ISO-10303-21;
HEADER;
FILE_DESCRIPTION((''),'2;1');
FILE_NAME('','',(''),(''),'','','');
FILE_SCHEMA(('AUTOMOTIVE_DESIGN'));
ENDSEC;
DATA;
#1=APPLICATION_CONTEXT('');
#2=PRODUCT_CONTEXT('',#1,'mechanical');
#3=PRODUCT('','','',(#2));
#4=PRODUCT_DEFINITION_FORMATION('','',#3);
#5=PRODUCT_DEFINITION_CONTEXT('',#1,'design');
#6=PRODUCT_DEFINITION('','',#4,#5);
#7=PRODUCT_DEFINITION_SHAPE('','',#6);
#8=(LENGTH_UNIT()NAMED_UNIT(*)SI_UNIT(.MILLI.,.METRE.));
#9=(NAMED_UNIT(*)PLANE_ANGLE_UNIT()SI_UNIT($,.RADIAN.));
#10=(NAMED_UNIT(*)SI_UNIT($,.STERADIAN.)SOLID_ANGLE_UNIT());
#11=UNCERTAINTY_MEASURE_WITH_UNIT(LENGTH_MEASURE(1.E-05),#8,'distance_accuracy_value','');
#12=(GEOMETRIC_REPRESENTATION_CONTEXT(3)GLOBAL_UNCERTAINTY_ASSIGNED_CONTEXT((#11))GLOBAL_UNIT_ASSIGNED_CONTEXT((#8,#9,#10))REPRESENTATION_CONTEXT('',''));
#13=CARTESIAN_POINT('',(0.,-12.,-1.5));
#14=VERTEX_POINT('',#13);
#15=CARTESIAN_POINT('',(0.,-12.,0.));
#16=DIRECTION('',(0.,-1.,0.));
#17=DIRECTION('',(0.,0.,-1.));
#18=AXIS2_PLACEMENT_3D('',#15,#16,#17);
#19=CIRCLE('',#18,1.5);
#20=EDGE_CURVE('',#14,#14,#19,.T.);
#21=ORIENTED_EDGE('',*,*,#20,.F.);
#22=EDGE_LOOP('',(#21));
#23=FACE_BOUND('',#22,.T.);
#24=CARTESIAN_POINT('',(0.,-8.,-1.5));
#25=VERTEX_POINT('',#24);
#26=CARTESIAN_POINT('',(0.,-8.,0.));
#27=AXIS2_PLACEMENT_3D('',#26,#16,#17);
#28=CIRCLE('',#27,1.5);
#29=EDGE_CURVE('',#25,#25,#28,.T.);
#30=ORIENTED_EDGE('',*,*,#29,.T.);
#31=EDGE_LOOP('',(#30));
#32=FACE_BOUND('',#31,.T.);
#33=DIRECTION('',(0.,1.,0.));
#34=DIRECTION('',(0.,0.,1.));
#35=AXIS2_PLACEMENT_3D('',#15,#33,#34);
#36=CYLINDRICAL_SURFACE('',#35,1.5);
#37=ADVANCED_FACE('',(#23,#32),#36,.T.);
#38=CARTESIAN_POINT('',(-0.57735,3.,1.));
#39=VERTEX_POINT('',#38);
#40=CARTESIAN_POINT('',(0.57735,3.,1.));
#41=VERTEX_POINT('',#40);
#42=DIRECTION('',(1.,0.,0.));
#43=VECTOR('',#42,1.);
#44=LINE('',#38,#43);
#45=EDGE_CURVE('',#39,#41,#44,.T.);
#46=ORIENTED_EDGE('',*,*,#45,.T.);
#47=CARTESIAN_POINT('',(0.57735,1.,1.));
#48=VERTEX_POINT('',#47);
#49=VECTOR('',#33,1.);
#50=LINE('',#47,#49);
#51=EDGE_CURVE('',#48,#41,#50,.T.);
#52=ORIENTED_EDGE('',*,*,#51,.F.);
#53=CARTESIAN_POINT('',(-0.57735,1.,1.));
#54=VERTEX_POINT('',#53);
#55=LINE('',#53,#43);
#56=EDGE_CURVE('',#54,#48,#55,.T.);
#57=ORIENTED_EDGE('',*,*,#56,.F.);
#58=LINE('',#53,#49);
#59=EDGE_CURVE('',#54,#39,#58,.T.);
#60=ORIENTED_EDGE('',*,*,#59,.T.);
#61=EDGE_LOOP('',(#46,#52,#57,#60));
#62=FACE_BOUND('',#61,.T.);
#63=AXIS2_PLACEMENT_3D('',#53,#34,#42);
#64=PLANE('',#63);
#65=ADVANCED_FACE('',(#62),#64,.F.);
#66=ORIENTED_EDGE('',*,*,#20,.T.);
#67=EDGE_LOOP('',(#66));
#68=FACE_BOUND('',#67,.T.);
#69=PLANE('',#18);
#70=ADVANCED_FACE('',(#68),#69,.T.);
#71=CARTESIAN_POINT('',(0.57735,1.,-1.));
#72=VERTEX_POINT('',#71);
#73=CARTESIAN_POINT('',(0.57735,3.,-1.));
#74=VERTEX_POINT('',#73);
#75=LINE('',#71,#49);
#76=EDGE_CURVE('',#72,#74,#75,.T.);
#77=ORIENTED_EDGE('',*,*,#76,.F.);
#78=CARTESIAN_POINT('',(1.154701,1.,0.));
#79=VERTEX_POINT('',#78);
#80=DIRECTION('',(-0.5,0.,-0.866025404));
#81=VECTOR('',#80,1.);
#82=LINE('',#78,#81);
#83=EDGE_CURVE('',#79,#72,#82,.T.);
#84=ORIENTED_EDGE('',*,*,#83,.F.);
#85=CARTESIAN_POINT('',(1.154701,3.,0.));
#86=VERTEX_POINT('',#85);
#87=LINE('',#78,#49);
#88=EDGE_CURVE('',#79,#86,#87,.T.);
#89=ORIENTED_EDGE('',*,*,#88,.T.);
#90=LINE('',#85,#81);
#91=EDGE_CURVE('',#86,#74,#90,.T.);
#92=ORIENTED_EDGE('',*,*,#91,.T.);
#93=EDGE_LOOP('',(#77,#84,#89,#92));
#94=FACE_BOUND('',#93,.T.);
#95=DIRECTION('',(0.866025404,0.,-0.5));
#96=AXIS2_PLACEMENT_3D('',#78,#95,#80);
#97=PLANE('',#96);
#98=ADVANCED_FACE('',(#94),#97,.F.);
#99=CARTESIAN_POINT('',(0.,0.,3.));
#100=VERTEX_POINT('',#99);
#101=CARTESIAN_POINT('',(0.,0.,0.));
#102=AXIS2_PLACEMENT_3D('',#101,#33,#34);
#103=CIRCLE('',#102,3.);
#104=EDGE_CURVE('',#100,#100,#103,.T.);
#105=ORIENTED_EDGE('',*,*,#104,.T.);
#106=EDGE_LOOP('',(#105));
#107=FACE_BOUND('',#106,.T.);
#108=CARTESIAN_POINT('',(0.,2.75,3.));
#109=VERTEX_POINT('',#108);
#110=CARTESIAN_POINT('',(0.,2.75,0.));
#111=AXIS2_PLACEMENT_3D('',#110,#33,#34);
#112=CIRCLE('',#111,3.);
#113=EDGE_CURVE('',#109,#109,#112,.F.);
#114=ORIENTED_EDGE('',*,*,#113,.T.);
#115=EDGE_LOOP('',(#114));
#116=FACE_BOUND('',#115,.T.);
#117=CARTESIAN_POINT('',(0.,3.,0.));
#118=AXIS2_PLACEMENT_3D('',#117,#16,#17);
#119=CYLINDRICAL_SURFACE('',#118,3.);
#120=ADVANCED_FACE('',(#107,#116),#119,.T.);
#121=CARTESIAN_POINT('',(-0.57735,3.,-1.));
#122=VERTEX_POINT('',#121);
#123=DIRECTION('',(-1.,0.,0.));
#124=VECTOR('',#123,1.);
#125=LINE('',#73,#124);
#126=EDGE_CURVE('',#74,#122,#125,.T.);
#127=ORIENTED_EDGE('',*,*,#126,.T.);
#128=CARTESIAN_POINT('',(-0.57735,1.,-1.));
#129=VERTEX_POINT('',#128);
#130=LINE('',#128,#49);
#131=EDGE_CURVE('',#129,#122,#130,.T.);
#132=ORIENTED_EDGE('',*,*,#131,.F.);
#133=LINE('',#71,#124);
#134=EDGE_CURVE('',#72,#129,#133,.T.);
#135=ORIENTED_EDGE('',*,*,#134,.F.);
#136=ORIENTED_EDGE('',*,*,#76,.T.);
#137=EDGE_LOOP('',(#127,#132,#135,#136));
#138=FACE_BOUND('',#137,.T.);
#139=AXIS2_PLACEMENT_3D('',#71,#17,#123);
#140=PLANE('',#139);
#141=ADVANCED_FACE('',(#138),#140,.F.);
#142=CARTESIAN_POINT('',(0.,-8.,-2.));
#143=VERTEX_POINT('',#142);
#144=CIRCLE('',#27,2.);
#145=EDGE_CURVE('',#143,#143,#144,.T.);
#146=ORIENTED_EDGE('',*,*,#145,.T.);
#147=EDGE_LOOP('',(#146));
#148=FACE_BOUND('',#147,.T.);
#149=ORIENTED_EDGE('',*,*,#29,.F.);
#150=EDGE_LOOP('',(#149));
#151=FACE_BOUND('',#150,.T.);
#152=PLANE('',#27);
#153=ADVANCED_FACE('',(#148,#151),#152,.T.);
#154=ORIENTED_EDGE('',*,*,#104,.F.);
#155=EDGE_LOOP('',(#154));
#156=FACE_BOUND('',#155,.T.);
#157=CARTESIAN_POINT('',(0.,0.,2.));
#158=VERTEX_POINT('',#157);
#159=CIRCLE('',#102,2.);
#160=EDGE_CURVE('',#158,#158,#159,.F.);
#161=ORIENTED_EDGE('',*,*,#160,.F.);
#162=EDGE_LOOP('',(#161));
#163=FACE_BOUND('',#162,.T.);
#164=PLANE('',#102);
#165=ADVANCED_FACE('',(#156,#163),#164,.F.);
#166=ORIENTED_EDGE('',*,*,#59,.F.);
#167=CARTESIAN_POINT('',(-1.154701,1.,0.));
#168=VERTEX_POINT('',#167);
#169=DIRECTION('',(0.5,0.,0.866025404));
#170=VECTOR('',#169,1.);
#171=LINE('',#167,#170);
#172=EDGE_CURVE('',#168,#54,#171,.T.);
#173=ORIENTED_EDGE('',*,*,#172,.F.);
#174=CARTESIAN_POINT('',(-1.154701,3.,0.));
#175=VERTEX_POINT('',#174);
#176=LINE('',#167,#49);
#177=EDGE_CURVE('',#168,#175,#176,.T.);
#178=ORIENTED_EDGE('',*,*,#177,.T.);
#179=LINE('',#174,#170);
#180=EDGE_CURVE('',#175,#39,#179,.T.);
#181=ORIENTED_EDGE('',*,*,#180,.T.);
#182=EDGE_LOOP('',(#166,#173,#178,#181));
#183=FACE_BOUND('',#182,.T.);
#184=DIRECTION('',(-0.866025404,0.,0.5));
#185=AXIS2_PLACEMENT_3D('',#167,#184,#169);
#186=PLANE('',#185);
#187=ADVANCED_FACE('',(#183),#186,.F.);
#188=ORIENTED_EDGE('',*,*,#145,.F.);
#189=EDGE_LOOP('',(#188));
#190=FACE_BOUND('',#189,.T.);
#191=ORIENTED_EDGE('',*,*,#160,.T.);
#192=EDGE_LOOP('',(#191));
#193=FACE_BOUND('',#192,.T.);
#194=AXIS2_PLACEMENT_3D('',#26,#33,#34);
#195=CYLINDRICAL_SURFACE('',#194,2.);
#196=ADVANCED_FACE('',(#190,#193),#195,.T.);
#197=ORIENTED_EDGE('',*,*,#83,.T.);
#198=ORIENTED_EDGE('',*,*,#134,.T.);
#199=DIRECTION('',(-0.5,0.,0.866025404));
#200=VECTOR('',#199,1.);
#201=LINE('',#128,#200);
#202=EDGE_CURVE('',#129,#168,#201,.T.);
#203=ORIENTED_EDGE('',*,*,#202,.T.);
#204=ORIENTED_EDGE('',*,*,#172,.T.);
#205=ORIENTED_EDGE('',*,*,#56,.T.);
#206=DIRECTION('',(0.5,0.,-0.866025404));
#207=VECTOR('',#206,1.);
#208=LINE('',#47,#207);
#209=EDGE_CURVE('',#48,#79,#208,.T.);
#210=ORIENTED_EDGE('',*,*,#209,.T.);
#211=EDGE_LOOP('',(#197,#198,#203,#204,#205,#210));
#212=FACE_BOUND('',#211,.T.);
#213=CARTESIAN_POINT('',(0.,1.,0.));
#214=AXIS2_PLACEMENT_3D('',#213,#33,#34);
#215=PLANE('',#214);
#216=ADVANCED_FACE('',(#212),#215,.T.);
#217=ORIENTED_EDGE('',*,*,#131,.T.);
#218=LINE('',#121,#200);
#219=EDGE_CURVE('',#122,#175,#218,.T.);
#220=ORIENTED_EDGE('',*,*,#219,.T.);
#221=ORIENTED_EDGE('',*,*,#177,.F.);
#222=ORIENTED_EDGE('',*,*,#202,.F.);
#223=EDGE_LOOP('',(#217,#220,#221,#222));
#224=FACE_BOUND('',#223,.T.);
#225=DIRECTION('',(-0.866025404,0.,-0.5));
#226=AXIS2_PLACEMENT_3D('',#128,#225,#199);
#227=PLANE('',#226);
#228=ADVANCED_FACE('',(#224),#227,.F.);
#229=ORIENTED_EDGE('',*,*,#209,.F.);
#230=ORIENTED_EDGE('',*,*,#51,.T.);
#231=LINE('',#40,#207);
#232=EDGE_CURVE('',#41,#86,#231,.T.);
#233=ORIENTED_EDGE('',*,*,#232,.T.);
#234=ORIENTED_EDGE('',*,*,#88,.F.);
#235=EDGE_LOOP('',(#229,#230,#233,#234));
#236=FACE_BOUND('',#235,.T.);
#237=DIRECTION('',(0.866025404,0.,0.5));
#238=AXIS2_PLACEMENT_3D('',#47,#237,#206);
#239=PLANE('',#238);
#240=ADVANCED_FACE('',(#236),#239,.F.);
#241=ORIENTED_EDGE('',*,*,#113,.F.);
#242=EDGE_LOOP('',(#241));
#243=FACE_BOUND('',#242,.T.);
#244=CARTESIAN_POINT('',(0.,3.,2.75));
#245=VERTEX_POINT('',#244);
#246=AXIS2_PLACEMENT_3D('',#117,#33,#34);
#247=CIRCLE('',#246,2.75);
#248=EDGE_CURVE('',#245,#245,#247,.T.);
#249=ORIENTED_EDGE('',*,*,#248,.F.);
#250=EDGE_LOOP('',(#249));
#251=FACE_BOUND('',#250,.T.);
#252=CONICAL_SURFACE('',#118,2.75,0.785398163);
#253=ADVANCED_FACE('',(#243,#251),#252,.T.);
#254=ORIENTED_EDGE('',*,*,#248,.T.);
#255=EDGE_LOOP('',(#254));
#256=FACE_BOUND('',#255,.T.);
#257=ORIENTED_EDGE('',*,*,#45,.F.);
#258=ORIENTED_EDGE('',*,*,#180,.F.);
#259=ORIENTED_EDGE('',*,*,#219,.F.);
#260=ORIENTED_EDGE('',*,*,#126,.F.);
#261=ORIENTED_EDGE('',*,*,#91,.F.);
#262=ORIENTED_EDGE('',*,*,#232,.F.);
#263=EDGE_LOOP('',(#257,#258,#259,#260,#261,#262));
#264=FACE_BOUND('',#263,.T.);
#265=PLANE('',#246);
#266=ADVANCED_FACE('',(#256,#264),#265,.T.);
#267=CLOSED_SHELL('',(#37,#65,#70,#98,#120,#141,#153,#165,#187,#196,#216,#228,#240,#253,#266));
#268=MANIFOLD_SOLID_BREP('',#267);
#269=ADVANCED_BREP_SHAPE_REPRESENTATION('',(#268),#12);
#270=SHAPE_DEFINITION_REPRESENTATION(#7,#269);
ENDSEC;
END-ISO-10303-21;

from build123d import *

# Parameters (mm, degrees)
SKETCH1_R           = 3
BOSS_EXTRUDE1_DEPTH = 3
SKETCH2_R           = 2
BOSS_EXTRUDE2_DEPTH = 8
SKETCH3_R           = 1.5
BOSS_EXTRUDE3_DEPTH = 4
CUT_EXTRUDE1_DEPTH  = 2
CHAMFER1_SIZE       = 0.25


with BuildPart() as part:
    # Sketch1 → Boss-Extrude1 (new body)
    with BuildSketch(Plane(origin=(0, 0, 0), x_dir=(1, 0, 0), z_dir=(0, 1, 0))):
        with Locations(Location((0, 0, 0), (0, 0, 270))):
            Circle(SKETCH1_R)
    extrude(amount=BOSS_EXTRUDE1_DEPTH)

    # Sketch2 → Boss-Extrude2 (add)
    with BuildSketch(Plane.XZ):
        with Locations(Location((0, 0, 0), (0, 0, 90))):
            Circle(SKETCH2_R)
    extrude(amount=BOSS_EXTRUDE2_DEPTH)

    # Sketch3 → Boss-Extrude3 (add)
    with BuildSketch(Plane.XZ.offset(8)):
        with Locations(Location((0, 0, 0), (0, 0, 270))):
            Circle(SKETCH3_R)
    extrude(amount=BOSS_EXTRUDE3_DEPTH)

    # Sketch4 → Cut-Extrude1 (cut)
    with BuildSketch(Plane(origin=(0, 3, 0), x_dir=(1, 0, 0), z_dir=(0, 1, 0))):
        Polygon((0.577350269, 1), (-0.577350269, 1), (-1.154700538, 0), (-0.577350269, -1), (0.577350269, -1), (1.154700538, 0), align=None)
    extrude(amount=-CUT_EXTRUDE1_DEPTH, mode=Mode.SUBTRACT)

    # Chamfer1
    chamfer1_edges = [part.edges().sort_by_distance(p)[0] for p in [
        (0, 3, -3),
    ]]
    chamfer(chamfer1_edges, length=CHAMFER1_SIZE)


solid = part.part
